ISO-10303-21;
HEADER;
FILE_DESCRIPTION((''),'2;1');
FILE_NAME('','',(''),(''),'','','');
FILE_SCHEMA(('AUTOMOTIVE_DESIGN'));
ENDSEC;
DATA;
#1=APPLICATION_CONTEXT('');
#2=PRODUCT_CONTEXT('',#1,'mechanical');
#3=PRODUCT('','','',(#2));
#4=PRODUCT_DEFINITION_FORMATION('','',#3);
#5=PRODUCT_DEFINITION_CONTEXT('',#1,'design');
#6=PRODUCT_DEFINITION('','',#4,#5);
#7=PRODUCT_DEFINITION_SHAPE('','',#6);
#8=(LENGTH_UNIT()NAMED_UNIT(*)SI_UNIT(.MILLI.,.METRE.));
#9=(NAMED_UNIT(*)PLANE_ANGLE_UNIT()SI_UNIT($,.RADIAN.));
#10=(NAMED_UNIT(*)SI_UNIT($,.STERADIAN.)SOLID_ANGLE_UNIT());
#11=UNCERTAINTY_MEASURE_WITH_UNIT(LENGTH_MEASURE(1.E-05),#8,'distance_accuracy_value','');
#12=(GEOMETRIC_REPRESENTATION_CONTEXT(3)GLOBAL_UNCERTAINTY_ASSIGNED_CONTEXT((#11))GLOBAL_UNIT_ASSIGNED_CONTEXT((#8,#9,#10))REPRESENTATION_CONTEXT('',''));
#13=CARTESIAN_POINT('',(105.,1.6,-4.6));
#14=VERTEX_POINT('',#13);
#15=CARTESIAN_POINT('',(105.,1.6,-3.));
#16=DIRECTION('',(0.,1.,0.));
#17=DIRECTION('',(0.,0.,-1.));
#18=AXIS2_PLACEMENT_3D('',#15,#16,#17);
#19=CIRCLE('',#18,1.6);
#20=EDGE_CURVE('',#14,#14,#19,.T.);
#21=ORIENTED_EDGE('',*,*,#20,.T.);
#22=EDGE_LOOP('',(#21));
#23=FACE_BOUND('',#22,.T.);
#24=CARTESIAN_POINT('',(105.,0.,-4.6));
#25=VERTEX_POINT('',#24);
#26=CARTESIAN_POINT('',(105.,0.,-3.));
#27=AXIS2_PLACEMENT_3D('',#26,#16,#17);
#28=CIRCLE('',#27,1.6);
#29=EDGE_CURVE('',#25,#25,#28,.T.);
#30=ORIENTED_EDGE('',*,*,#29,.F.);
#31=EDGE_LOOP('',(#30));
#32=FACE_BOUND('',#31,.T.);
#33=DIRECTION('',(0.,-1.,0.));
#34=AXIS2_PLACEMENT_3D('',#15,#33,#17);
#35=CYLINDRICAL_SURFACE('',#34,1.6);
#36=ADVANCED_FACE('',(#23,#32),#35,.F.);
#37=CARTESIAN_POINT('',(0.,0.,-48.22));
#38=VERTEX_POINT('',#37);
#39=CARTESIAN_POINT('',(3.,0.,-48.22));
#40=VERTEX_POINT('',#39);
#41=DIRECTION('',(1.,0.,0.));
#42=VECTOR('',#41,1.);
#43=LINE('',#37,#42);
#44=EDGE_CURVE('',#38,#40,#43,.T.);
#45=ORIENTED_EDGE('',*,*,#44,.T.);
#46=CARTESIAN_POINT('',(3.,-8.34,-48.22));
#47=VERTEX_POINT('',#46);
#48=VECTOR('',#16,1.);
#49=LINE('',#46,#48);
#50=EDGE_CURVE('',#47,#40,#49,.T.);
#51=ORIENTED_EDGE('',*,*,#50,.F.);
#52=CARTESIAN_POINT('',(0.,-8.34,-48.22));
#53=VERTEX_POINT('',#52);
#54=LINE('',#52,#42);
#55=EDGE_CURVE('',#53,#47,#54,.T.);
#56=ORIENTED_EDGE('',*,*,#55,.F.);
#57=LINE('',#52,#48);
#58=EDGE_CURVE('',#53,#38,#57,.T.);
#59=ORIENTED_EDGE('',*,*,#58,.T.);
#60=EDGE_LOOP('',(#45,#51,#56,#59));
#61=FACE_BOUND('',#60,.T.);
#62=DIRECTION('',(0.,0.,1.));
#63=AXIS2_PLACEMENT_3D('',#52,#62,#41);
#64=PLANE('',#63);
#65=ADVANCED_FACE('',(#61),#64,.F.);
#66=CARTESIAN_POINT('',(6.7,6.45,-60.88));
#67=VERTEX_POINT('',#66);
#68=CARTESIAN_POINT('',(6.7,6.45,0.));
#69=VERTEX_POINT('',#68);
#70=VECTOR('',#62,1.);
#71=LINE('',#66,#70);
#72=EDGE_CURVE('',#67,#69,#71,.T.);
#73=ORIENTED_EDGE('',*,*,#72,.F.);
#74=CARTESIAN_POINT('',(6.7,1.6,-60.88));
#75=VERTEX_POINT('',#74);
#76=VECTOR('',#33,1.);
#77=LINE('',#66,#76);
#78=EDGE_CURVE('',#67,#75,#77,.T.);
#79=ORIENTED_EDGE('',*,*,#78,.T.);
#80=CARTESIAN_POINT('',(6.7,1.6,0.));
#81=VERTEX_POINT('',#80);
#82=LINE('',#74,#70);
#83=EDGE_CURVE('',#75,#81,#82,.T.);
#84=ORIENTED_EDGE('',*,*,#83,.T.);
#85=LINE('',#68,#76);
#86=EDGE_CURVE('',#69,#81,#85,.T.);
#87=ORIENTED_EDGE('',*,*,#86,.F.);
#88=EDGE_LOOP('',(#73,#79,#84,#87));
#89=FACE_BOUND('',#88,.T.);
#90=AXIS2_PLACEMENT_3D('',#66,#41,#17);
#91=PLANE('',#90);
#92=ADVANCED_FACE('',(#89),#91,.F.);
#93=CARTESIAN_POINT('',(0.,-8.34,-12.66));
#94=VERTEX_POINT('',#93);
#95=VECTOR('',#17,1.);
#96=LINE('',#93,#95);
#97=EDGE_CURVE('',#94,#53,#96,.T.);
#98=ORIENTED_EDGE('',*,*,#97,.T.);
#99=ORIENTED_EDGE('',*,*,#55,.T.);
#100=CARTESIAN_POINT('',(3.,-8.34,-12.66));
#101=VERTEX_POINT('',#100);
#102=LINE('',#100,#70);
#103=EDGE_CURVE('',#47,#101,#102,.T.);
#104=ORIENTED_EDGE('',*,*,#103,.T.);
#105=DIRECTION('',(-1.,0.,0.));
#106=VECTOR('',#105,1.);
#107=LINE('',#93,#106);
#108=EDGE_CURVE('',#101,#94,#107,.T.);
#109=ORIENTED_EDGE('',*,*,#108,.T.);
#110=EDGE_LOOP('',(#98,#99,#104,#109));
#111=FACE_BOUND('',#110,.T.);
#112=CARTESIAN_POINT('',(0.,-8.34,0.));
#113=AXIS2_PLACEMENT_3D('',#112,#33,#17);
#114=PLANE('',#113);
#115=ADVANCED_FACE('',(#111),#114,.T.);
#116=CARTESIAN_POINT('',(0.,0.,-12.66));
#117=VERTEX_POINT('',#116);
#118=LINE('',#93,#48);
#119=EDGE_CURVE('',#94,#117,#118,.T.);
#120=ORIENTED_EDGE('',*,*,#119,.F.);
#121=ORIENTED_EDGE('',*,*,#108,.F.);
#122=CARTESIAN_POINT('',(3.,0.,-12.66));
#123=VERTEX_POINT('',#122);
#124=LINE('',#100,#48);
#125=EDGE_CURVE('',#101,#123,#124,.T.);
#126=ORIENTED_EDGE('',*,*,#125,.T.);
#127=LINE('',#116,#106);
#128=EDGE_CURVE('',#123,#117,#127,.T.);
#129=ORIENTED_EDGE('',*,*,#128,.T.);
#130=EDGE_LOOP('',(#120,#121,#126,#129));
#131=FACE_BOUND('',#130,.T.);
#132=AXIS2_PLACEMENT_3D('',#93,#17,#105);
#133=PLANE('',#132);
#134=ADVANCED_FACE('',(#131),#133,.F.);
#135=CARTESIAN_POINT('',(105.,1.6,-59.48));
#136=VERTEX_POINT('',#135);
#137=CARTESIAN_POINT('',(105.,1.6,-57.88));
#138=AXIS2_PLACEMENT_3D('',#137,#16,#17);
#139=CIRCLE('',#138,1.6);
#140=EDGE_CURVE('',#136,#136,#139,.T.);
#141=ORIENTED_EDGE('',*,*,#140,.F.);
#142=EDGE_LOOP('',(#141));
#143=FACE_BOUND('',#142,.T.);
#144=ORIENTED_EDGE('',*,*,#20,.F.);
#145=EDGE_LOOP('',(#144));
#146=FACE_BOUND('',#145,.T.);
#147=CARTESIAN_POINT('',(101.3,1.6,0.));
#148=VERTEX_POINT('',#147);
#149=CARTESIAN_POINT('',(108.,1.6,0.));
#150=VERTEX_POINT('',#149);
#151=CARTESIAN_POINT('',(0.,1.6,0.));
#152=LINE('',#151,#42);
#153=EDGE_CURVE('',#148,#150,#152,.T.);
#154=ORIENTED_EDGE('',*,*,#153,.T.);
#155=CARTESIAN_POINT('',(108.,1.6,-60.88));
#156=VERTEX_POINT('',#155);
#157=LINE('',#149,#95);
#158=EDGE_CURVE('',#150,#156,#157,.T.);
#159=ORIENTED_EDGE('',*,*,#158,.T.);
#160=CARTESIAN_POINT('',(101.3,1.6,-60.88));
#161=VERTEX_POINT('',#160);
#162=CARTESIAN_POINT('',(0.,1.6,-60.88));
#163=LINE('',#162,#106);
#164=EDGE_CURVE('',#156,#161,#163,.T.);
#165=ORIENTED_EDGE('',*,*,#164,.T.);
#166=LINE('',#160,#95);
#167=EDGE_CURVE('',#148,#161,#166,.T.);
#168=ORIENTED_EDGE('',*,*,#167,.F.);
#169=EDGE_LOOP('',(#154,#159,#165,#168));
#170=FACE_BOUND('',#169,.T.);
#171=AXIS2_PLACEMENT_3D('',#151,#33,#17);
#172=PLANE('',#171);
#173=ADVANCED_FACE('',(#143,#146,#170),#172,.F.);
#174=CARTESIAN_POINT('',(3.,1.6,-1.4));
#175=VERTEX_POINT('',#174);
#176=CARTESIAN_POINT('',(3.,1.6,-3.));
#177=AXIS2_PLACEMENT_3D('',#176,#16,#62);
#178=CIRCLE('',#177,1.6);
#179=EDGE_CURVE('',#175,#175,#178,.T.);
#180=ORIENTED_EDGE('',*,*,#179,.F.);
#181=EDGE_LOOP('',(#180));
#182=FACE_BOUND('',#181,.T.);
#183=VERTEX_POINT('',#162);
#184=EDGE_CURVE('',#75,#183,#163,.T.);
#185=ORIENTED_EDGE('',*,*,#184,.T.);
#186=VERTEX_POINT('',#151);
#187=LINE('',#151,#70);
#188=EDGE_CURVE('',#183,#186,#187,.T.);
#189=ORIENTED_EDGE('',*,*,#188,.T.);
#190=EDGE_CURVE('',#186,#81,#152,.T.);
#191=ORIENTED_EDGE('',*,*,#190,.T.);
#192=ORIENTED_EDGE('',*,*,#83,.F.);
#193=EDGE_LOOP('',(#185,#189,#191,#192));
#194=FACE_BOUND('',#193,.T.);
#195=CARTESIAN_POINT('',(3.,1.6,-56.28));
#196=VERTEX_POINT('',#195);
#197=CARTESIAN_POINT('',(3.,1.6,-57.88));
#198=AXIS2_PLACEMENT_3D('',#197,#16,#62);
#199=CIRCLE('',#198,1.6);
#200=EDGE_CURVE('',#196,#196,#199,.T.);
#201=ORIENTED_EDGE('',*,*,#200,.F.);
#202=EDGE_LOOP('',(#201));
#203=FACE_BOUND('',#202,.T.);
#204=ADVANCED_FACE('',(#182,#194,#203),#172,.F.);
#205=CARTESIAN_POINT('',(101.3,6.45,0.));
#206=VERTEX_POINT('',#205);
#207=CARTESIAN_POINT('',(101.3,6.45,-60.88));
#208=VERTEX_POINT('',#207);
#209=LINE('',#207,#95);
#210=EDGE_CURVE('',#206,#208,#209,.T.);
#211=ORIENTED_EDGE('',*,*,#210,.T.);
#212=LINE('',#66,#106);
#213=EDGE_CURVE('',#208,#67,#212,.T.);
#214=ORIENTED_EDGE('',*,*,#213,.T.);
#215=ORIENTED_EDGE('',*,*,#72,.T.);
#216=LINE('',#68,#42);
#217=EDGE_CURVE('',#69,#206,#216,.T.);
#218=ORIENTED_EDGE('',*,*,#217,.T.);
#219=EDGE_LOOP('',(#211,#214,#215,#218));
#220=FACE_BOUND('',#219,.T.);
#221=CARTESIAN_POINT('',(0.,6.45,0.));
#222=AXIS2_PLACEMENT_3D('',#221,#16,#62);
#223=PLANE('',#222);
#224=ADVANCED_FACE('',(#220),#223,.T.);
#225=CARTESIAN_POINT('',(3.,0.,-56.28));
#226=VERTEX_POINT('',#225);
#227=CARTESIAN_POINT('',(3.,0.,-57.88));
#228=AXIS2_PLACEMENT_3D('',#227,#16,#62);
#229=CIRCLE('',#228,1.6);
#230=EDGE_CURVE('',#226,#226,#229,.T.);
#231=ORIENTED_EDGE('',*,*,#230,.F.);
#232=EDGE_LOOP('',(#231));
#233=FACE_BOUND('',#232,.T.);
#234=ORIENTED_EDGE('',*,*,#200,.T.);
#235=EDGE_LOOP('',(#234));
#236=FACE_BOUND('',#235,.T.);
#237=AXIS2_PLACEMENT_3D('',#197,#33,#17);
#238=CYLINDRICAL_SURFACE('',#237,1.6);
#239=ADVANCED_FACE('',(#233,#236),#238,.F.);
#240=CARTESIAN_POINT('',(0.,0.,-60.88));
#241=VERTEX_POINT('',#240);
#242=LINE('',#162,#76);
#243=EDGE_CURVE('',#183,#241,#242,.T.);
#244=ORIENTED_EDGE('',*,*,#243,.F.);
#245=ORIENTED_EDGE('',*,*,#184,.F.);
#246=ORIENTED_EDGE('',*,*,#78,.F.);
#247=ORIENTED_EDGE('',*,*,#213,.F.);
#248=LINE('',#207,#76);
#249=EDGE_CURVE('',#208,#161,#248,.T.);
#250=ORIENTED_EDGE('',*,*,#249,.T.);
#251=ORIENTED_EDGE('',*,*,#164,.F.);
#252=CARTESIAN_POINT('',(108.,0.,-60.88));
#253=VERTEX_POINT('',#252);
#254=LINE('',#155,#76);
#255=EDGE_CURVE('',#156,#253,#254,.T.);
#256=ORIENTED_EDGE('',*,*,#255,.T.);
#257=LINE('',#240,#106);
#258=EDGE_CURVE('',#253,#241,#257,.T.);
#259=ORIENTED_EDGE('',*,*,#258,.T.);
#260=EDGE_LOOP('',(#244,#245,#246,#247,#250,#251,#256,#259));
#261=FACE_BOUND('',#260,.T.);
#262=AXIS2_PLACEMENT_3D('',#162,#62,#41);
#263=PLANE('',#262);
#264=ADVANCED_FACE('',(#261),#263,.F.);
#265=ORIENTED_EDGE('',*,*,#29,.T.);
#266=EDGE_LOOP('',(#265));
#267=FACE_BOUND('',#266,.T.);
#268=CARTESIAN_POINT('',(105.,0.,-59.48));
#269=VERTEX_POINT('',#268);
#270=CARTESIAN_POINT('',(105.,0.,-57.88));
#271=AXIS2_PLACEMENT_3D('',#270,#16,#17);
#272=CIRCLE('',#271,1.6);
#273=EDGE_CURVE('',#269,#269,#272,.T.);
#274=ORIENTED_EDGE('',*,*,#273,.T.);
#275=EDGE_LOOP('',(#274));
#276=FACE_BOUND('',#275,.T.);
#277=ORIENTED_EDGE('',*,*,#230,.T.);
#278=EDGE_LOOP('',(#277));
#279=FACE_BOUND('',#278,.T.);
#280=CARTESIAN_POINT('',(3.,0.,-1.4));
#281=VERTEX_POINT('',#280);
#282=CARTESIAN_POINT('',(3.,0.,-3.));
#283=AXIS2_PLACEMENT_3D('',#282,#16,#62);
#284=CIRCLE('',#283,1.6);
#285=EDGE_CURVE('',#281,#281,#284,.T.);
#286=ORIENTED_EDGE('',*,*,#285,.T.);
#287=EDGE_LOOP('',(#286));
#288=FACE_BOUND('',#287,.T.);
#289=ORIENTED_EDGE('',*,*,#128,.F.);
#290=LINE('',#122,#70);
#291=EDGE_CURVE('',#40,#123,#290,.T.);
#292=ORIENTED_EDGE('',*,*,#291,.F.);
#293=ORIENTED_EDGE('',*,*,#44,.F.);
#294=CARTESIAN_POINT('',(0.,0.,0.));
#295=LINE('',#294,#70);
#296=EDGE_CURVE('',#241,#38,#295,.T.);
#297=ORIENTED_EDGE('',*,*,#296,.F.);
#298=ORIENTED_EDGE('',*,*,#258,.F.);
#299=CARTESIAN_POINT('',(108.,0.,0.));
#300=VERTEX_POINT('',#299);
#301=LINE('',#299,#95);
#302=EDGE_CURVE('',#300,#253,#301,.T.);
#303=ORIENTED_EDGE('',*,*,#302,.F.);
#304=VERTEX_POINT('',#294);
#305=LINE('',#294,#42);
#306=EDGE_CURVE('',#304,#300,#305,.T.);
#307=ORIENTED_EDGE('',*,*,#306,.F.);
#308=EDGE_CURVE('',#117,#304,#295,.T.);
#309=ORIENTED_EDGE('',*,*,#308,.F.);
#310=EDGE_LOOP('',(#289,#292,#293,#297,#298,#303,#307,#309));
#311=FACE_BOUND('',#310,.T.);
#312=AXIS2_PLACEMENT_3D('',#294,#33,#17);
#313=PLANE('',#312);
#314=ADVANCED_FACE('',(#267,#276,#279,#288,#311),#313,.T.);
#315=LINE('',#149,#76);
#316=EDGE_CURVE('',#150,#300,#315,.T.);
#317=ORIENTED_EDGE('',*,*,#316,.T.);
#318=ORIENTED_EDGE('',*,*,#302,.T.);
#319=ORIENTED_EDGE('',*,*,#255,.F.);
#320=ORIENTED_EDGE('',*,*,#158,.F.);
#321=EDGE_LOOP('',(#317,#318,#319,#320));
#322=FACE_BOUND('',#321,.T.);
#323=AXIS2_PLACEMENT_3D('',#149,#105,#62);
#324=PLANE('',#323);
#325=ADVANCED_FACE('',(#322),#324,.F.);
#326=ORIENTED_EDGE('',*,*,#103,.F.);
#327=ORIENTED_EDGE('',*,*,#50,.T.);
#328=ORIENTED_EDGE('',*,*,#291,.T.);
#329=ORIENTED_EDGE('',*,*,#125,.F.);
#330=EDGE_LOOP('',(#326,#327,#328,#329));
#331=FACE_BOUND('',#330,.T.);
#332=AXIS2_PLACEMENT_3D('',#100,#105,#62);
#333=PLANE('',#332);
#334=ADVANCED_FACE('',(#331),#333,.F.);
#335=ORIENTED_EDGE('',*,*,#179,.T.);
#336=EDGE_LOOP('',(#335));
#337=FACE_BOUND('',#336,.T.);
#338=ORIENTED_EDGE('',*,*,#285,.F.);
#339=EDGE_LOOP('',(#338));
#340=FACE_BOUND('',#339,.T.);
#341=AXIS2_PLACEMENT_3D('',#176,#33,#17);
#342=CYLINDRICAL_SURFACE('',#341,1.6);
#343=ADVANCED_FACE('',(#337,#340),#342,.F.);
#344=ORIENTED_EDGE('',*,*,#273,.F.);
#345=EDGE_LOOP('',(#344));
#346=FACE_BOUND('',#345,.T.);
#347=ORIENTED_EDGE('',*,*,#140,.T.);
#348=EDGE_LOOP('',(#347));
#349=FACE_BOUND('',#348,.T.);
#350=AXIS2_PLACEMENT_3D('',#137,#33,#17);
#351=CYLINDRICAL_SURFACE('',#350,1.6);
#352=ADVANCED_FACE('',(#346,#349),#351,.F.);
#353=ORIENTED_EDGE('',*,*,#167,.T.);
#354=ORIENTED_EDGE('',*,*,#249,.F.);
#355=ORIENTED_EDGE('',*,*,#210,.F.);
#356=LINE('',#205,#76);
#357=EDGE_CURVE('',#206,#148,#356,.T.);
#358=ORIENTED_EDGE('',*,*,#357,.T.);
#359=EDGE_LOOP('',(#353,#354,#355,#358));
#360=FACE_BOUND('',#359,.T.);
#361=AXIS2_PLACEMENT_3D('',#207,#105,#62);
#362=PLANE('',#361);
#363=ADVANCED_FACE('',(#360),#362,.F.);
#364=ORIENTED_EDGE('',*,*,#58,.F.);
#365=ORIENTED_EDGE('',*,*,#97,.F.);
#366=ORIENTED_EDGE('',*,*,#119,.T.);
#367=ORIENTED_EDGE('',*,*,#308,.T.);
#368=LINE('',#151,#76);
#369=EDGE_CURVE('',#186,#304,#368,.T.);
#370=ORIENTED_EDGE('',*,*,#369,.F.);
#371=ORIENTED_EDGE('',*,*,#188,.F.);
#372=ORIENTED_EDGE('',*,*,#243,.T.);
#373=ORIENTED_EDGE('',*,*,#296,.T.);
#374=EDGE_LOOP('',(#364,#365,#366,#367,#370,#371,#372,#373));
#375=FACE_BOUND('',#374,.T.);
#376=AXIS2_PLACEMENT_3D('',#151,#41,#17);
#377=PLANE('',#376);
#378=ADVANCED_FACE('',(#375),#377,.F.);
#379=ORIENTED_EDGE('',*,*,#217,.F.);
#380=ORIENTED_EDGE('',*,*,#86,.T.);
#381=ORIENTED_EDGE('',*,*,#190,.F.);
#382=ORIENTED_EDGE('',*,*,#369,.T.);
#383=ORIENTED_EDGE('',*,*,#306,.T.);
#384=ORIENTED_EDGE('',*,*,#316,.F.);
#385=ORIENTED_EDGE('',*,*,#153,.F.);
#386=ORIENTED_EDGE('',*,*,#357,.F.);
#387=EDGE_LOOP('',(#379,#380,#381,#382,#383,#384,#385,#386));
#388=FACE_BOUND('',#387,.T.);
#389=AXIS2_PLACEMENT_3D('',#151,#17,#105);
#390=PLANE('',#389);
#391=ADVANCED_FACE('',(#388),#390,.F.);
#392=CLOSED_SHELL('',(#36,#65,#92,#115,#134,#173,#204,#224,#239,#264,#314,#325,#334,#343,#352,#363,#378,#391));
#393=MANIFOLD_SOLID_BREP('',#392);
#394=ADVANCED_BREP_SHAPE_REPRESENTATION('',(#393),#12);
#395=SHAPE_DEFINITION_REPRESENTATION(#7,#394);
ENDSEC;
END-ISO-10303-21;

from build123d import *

# Parameters (mm, degrees)
SKETCH_1_W      = 108
SKETCH_1_H      = 60.88
SKETCH_1_R      = 1.6
EXTRUDE_1_DEPTH = 1.6
SKETCH_2_W      = 94.6
SKETCH_2_H      = 60.88
EXTRUDE_2_DEPTH = 4.85
SKETCH_3_W      = 3
SKETCH_3_H      = 35.56
EXTRUDE_3_DEPTH = 8.34


with BuildPart() as part:
    # 草图1 → 凸台-拉伸1 (new body)
    with BuildSketch(Plane(origin=(0, 0, 0), x_dir=(1, 0, 0), z_dir=(0, 1, 0))):
        with Locations((54, 30.44)):
            Rectangle(SKETCH_1_W, SKETCH_1_H)
        with Locations(Location((3, 57.88, 0), (0, 0, 270))):
            Circle(SKETCH_1_R, mode=Mode.SUBTRACT)
        with Locations(Location((3, 3, 0), (0, 0, 270))):
            Circle(SKETCH_1_R, mode=Mode.SUBTRACT)
        with Locations(Location((105, 3, 0), (0, 0, 90))):
            Circle(SKETCH_1_R, mode=Mode.SUBTRACT)
        with Locations(Location((105, 57.88, 0), (0, 0, 90))):
            Circle(SKETCH_1_R, mode=Mode.SUBTRACT)
    extrude(amount=EXTRUDE_1_DEPTH)

    # 草图2 → 凸台-拉伸2 (add)
    with BuildSketch(Plane(origin=(0, 1.6, 0), x_dir=(1, 0, 0), z_dir=(0, 1, 0))):
        with Locations((54, 30.44)):
            Rectangle(SKETCH_2_W, SKETCH_2_H)
    extrude(amount=EXTRUDE_2_DEPTH)

    # 草图3 → 凸台-拉伸3 (add)
    with BuildSketch(Plane.XZ):
        with Locations((1.5, -30.44)):
            Rectangle(SKETCH_3_W, SKETCH_3_H)
    extrude(amount=EXTRUDE_3_DEPTH)


solid = part.part
